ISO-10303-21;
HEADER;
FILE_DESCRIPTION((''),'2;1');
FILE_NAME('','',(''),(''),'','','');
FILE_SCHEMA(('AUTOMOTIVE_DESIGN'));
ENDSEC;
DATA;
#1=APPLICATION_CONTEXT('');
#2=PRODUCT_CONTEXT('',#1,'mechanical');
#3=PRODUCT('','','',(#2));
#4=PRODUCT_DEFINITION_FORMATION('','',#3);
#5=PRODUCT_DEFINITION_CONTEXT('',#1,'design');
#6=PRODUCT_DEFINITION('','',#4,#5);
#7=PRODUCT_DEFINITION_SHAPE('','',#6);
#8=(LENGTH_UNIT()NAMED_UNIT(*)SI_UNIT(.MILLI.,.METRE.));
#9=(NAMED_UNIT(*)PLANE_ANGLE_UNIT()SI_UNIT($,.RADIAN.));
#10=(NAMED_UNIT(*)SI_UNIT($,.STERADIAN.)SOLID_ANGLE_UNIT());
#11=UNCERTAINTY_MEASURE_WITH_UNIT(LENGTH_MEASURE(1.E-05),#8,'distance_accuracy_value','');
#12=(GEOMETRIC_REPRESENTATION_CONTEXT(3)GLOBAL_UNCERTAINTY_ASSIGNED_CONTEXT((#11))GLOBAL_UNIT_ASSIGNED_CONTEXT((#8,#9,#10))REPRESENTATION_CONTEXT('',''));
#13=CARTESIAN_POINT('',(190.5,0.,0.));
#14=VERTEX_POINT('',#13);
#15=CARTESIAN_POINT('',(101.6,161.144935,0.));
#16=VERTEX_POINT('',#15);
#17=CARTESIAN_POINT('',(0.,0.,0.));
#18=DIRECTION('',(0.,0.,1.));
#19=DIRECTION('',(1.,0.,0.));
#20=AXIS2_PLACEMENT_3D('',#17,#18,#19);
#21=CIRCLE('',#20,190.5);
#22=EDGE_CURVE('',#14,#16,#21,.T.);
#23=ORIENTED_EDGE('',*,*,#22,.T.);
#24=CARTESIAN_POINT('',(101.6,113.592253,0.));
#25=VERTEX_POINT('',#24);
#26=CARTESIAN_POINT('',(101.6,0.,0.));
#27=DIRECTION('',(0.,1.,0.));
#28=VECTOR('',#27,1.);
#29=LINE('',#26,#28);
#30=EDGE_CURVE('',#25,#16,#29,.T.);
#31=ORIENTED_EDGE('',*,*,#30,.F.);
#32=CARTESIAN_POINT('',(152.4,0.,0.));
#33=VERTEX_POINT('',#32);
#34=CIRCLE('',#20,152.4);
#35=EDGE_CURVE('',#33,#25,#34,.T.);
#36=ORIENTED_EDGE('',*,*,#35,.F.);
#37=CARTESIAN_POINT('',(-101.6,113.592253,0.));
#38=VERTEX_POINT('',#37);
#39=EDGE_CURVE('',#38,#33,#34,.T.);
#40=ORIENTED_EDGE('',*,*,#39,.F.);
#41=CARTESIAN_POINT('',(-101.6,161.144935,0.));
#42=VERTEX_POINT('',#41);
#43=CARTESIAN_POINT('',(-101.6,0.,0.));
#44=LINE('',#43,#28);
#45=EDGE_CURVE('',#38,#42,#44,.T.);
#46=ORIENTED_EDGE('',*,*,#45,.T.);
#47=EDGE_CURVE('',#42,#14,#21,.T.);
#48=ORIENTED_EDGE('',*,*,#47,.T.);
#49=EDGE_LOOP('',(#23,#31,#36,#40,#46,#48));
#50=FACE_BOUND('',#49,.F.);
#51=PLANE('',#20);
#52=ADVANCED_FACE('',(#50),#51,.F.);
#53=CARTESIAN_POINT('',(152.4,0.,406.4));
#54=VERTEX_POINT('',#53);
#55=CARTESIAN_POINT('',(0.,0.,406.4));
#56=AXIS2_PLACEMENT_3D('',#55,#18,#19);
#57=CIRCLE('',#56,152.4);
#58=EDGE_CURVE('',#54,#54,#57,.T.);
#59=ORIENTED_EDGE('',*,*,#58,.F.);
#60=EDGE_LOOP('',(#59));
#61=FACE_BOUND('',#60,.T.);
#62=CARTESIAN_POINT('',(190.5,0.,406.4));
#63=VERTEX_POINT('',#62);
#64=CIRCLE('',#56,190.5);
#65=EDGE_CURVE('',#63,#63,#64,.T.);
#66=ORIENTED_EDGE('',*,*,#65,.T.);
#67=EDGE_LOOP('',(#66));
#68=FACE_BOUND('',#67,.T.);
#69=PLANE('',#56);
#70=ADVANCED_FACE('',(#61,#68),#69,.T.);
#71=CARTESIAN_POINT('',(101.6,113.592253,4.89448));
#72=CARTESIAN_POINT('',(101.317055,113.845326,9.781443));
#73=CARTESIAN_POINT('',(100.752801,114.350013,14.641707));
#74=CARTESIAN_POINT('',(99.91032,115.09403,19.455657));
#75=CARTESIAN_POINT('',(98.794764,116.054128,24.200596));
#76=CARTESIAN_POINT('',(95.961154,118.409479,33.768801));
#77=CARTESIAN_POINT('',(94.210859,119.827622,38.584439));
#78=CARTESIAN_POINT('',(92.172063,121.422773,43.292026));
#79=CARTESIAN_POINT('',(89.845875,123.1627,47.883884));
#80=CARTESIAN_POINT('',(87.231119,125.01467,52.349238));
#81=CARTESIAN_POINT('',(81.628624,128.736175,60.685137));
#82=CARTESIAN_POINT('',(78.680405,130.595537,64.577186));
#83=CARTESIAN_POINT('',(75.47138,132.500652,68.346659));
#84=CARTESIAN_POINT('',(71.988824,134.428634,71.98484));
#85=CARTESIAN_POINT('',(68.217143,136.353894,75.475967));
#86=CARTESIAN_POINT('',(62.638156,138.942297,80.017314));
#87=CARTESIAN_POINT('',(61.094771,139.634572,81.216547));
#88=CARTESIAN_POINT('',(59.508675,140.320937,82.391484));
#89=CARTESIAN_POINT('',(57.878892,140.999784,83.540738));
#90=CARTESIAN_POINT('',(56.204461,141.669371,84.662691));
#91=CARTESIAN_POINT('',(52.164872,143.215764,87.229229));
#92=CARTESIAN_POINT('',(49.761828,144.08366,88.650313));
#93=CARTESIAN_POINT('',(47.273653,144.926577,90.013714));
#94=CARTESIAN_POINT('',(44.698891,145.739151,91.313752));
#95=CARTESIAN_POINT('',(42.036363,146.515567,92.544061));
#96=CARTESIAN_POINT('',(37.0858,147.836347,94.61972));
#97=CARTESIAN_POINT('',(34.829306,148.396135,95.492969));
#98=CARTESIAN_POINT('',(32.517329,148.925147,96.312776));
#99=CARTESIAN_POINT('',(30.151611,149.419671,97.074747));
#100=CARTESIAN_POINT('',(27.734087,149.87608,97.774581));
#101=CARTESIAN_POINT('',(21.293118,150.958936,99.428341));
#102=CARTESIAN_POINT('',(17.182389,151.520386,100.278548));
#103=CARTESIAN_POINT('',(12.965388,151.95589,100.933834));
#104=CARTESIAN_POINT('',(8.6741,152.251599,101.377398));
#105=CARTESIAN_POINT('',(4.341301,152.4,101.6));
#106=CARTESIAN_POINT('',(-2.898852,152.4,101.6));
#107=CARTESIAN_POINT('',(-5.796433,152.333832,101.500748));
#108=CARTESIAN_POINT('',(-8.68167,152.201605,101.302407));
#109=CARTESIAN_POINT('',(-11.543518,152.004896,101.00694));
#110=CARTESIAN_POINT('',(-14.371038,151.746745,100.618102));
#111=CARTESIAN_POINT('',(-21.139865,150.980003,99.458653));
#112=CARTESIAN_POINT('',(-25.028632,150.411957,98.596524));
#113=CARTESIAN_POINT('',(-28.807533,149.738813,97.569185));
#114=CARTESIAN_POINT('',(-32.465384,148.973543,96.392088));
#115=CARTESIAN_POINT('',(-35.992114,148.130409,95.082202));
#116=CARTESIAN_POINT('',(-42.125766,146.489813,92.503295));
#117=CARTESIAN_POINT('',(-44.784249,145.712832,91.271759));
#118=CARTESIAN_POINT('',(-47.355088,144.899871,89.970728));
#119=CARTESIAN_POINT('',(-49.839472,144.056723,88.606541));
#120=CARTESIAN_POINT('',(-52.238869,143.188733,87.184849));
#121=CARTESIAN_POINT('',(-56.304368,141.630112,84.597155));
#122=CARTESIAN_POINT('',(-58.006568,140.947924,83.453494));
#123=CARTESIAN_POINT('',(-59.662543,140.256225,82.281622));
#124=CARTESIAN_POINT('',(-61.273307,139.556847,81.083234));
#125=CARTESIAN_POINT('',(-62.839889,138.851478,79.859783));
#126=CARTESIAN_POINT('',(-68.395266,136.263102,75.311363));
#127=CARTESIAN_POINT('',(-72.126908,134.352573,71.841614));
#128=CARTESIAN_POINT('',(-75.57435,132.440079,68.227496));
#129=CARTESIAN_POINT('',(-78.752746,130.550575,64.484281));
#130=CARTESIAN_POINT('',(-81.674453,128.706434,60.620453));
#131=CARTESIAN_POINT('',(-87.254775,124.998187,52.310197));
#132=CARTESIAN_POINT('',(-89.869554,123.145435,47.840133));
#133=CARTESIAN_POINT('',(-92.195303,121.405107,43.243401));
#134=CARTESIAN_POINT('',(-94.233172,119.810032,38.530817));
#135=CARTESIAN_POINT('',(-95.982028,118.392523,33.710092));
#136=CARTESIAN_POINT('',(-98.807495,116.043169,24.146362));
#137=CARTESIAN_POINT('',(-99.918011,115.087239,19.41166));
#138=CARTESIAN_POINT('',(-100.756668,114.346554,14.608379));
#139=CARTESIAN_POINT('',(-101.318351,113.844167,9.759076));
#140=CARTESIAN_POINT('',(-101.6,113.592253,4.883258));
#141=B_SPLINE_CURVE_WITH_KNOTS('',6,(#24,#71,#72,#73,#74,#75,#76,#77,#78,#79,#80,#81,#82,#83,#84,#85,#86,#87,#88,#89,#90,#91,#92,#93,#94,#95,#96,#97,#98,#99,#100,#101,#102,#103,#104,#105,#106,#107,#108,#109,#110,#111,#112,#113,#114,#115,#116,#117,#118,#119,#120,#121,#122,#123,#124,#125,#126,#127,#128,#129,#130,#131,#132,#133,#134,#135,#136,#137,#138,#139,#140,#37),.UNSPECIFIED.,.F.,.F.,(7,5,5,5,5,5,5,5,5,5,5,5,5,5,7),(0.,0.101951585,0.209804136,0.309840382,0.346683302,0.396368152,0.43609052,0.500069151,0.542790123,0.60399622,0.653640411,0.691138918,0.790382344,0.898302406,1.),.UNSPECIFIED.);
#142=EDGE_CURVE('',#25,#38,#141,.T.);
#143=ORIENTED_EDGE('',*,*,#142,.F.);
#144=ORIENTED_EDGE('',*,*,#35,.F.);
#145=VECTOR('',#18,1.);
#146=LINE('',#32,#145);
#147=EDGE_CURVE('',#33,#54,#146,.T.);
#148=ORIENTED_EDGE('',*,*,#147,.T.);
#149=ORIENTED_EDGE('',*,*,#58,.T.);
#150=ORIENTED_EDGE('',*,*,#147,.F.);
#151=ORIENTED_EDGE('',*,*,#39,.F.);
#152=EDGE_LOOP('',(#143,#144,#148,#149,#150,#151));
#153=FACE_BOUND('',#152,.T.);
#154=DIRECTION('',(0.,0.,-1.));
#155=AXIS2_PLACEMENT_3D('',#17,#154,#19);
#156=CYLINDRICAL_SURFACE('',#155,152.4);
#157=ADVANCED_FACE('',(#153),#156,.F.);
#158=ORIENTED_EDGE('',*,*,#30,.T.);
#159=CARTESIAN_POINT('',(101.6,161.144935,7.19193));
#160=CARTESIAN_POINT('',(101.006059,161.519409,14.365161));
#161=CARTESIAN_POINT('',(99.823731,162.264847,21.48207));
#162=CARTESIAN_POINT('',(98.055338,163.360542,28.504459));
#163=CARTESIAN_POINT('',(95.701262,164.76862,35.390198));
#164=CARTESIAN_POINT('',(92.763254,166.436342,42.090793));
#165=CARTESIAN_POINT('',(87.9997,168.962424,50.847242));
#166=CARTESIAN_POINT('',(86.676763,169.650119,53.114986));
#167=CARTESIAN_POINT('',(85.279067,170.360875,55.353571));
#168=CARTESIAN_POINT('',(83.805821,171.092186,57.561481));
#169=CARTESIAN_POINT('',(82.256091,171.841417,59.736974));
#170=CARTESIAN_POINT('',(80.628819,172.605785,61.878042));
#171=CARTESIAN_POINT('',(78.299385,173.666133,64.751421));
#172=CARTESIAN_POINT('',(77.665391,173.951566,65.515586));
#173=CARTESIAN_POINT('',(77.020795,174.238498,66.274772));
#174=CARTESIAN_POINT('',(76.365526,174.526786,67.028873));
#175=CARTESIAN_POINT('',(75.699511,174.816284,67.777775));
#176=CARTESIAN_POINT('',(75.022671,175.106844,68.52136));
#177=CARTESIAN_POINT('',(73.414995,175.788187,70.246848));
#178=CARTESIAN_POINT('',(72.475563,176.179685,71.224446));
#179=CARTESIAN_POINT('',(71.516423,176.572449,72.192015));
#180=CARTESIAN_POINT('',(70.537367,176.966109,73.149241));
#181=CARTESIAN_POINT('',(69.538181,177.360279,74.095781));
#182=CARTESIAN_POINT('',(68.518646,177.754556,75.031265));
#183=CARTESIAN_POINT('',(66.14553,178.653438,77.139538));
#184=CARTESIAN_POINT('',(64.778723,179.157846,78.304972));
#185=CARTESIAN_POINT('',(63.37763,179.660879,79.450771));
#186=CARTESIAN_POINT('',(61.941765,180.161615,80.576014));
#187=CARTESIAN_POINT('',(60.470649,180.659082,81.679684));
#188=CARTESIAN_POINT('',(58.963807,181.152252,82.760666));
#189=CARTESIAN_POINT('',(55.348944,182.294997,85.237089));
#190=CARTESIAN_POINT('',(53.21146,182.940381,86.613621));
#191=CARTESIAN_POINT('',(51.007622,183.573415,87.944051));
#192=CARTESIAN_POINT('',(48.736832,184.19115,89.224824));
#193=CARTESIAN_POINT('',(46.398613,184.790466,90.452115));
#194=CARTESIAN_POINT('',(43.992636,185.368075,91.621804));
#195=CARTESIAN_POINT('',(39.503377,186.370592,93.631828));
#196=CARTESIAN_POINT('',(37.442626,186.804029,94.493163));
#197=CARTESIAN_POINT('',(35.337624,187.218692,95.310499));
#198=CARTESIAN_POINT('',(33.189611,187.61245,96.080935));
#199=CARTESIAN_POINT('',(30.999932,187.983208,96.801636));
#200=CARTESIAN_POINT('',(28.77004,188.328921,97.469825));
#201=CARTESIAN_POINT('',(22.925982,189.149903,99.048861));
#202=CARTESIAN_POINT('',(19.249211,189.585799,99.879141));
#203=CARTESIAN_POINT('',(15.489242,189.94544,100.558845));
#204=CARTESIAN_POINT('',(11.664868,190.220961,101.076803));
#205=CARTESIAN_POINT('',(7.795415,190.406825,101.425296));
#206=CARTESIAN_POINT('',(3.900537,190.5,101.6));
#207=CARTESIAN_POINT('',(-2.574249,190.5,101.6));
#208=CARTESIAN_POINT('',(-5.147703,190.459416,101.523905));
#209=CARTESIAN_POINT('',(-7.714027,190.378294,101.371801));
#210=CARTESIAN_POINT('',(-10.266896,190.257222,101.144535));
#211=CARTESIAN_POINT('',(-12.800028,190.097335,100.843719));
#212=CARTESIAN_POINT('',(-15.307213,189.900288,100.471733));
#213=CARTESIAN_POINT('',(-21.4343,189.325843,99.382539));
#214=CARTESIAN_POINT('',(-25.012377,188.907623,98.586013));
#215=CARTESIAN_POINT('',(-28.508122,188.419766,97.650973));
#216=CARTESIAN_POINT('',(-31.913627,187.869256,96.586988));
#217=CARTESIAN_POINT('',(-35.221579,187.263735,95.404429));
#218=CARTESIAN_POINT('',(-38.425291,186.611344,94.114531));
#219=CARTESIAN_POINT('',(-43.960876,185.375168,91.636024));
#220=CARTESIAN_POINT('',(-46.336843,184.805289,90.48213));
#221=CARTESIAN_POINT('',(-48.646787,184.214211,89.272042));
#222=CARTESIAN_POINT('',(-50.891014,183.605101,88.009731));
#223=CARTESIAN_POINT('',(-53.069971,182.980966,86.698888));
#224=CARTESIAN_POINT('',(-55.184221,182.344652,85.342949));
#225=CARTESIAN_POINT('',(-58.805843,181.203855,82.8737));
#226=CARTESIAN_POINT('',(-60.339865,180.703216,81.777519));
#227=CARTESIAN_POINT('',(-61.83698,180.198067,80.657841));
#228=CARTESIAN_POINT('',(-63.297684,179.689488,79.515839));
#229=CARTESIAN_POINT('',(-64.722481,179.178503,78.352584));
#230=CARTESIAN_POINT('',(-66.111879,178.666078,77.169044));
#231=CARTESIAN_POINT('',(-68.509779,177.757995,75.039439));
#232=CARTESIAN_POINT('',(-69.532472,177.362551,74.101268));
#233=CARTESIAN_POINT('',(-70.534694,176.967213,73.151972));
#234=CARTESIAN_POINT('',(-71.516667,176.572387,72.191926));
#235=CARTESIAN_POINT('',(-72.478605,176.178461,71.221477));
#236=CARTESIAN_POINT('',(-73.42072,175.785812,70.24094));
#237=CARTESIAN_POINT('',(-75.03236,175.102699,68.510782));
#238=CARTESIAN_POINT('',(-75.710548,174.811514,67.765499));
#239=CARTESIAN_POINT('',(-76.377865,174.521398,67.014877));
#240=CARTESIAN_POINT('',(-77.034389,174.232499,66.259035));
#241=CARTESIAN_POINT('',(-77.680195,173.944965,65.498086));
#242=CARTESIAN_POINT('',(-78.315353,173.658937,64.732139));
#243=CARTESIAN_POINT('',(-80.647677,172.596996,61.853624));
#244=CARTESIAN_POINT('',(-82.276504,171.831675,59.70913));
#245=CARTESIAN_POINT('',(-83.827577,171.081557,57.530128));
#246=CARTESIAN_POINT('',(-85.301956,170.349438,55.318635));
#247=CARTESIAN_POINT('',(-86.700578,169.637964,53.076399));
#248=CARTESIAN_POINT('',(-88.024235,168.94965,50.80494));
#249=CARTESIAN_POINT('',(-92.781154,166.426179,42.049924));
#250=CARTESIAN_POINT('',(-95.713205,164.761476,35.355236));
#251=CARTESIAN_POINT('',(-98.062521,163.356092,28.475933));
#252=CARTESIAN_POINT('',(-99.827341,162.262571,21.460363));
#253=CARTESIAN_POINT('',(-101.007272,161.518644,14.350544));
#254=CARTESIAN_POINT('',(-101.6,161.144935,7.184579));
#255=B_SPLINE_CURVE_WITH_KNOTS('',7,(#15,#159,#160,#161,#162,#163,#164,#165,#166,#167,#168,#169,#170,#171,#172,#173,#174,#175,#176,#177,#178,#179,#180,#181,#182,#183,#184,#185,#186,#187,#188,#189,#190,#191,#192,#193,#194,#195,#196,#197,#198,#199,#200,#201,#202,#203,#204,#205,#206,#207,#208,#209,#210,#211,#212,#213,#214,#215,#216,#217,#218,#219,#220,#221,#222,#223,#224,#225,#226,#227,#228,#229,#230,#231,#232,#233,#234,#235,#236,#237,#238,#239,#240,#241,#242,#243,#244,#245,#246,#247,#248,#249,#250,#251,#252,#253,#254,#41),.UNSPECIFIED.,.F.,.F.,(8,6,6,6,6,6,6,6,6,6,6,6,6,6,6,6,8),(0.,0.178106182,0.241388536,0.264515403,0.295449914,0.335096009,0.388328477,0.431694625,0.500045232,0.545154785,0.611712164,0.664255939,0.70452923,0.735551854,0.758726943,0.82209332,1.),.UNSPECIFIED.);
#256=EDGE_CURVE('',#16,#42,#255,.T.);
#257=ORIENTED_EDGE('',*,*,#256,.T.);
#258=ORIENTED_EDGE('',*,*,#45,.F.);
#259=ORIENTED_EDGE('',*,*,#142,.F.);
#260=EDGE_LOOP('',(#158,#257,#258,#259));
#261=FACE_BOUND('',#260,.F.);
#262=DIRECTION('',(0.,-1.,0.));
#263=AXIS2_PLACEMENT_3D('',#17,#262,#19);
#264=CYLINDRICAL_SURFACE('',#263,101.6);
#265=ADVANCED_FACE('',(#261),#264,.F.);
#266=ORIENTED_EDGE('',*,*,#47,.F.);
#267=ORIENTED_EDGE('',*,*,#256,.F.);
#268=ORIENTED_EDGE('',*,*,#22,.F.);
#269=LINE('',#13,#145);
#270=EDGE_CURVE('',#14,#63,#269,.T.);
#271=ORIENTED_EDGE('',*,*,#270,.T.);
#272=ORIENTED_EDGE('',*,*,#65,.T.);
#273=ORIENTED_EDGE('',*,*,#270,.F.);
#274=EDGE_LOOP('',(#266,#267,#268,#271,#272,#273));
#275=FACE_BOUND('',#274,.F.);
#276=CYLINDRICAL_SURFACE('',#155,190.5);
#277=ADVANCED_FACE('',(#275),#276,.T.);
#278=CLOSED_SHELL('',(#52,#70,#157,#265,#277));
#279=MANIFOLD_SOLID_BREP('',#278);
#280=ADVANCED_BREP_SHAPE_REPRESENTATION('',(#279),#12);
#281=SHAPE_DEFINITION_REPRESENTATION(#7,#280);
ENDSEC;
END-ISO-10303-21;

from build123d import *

# Parameters (mm, degrees)
F0_R     = 190.5
F0_R_2   = 152.4
F1_DEPTH = 406.4
F3_DEPTH = 254


with BuildPart() as f1:
    # F0 (on Top) → F1 (new body)
    with BuildSketch(Plane.XY):
        Circle(F0_R)
        Circle(F0_R_2, mode=Mode.SUBTRACT)
    extrude(amount=F1_DEPTH)

    # F2 (on Front) → F3 (cut)
    with BuildSketch(Plane.XZ):
        with BuildLine():
            Line((-101.6, 0), (101.6, 0))
            ThreePointArc((101.6, 0), (0, 101.6), (-101.6, 0))
        make_face()
    extrude(amount=-F3_DEPTH, mode=Mode.SUBTRACT)


solid = f1.part
